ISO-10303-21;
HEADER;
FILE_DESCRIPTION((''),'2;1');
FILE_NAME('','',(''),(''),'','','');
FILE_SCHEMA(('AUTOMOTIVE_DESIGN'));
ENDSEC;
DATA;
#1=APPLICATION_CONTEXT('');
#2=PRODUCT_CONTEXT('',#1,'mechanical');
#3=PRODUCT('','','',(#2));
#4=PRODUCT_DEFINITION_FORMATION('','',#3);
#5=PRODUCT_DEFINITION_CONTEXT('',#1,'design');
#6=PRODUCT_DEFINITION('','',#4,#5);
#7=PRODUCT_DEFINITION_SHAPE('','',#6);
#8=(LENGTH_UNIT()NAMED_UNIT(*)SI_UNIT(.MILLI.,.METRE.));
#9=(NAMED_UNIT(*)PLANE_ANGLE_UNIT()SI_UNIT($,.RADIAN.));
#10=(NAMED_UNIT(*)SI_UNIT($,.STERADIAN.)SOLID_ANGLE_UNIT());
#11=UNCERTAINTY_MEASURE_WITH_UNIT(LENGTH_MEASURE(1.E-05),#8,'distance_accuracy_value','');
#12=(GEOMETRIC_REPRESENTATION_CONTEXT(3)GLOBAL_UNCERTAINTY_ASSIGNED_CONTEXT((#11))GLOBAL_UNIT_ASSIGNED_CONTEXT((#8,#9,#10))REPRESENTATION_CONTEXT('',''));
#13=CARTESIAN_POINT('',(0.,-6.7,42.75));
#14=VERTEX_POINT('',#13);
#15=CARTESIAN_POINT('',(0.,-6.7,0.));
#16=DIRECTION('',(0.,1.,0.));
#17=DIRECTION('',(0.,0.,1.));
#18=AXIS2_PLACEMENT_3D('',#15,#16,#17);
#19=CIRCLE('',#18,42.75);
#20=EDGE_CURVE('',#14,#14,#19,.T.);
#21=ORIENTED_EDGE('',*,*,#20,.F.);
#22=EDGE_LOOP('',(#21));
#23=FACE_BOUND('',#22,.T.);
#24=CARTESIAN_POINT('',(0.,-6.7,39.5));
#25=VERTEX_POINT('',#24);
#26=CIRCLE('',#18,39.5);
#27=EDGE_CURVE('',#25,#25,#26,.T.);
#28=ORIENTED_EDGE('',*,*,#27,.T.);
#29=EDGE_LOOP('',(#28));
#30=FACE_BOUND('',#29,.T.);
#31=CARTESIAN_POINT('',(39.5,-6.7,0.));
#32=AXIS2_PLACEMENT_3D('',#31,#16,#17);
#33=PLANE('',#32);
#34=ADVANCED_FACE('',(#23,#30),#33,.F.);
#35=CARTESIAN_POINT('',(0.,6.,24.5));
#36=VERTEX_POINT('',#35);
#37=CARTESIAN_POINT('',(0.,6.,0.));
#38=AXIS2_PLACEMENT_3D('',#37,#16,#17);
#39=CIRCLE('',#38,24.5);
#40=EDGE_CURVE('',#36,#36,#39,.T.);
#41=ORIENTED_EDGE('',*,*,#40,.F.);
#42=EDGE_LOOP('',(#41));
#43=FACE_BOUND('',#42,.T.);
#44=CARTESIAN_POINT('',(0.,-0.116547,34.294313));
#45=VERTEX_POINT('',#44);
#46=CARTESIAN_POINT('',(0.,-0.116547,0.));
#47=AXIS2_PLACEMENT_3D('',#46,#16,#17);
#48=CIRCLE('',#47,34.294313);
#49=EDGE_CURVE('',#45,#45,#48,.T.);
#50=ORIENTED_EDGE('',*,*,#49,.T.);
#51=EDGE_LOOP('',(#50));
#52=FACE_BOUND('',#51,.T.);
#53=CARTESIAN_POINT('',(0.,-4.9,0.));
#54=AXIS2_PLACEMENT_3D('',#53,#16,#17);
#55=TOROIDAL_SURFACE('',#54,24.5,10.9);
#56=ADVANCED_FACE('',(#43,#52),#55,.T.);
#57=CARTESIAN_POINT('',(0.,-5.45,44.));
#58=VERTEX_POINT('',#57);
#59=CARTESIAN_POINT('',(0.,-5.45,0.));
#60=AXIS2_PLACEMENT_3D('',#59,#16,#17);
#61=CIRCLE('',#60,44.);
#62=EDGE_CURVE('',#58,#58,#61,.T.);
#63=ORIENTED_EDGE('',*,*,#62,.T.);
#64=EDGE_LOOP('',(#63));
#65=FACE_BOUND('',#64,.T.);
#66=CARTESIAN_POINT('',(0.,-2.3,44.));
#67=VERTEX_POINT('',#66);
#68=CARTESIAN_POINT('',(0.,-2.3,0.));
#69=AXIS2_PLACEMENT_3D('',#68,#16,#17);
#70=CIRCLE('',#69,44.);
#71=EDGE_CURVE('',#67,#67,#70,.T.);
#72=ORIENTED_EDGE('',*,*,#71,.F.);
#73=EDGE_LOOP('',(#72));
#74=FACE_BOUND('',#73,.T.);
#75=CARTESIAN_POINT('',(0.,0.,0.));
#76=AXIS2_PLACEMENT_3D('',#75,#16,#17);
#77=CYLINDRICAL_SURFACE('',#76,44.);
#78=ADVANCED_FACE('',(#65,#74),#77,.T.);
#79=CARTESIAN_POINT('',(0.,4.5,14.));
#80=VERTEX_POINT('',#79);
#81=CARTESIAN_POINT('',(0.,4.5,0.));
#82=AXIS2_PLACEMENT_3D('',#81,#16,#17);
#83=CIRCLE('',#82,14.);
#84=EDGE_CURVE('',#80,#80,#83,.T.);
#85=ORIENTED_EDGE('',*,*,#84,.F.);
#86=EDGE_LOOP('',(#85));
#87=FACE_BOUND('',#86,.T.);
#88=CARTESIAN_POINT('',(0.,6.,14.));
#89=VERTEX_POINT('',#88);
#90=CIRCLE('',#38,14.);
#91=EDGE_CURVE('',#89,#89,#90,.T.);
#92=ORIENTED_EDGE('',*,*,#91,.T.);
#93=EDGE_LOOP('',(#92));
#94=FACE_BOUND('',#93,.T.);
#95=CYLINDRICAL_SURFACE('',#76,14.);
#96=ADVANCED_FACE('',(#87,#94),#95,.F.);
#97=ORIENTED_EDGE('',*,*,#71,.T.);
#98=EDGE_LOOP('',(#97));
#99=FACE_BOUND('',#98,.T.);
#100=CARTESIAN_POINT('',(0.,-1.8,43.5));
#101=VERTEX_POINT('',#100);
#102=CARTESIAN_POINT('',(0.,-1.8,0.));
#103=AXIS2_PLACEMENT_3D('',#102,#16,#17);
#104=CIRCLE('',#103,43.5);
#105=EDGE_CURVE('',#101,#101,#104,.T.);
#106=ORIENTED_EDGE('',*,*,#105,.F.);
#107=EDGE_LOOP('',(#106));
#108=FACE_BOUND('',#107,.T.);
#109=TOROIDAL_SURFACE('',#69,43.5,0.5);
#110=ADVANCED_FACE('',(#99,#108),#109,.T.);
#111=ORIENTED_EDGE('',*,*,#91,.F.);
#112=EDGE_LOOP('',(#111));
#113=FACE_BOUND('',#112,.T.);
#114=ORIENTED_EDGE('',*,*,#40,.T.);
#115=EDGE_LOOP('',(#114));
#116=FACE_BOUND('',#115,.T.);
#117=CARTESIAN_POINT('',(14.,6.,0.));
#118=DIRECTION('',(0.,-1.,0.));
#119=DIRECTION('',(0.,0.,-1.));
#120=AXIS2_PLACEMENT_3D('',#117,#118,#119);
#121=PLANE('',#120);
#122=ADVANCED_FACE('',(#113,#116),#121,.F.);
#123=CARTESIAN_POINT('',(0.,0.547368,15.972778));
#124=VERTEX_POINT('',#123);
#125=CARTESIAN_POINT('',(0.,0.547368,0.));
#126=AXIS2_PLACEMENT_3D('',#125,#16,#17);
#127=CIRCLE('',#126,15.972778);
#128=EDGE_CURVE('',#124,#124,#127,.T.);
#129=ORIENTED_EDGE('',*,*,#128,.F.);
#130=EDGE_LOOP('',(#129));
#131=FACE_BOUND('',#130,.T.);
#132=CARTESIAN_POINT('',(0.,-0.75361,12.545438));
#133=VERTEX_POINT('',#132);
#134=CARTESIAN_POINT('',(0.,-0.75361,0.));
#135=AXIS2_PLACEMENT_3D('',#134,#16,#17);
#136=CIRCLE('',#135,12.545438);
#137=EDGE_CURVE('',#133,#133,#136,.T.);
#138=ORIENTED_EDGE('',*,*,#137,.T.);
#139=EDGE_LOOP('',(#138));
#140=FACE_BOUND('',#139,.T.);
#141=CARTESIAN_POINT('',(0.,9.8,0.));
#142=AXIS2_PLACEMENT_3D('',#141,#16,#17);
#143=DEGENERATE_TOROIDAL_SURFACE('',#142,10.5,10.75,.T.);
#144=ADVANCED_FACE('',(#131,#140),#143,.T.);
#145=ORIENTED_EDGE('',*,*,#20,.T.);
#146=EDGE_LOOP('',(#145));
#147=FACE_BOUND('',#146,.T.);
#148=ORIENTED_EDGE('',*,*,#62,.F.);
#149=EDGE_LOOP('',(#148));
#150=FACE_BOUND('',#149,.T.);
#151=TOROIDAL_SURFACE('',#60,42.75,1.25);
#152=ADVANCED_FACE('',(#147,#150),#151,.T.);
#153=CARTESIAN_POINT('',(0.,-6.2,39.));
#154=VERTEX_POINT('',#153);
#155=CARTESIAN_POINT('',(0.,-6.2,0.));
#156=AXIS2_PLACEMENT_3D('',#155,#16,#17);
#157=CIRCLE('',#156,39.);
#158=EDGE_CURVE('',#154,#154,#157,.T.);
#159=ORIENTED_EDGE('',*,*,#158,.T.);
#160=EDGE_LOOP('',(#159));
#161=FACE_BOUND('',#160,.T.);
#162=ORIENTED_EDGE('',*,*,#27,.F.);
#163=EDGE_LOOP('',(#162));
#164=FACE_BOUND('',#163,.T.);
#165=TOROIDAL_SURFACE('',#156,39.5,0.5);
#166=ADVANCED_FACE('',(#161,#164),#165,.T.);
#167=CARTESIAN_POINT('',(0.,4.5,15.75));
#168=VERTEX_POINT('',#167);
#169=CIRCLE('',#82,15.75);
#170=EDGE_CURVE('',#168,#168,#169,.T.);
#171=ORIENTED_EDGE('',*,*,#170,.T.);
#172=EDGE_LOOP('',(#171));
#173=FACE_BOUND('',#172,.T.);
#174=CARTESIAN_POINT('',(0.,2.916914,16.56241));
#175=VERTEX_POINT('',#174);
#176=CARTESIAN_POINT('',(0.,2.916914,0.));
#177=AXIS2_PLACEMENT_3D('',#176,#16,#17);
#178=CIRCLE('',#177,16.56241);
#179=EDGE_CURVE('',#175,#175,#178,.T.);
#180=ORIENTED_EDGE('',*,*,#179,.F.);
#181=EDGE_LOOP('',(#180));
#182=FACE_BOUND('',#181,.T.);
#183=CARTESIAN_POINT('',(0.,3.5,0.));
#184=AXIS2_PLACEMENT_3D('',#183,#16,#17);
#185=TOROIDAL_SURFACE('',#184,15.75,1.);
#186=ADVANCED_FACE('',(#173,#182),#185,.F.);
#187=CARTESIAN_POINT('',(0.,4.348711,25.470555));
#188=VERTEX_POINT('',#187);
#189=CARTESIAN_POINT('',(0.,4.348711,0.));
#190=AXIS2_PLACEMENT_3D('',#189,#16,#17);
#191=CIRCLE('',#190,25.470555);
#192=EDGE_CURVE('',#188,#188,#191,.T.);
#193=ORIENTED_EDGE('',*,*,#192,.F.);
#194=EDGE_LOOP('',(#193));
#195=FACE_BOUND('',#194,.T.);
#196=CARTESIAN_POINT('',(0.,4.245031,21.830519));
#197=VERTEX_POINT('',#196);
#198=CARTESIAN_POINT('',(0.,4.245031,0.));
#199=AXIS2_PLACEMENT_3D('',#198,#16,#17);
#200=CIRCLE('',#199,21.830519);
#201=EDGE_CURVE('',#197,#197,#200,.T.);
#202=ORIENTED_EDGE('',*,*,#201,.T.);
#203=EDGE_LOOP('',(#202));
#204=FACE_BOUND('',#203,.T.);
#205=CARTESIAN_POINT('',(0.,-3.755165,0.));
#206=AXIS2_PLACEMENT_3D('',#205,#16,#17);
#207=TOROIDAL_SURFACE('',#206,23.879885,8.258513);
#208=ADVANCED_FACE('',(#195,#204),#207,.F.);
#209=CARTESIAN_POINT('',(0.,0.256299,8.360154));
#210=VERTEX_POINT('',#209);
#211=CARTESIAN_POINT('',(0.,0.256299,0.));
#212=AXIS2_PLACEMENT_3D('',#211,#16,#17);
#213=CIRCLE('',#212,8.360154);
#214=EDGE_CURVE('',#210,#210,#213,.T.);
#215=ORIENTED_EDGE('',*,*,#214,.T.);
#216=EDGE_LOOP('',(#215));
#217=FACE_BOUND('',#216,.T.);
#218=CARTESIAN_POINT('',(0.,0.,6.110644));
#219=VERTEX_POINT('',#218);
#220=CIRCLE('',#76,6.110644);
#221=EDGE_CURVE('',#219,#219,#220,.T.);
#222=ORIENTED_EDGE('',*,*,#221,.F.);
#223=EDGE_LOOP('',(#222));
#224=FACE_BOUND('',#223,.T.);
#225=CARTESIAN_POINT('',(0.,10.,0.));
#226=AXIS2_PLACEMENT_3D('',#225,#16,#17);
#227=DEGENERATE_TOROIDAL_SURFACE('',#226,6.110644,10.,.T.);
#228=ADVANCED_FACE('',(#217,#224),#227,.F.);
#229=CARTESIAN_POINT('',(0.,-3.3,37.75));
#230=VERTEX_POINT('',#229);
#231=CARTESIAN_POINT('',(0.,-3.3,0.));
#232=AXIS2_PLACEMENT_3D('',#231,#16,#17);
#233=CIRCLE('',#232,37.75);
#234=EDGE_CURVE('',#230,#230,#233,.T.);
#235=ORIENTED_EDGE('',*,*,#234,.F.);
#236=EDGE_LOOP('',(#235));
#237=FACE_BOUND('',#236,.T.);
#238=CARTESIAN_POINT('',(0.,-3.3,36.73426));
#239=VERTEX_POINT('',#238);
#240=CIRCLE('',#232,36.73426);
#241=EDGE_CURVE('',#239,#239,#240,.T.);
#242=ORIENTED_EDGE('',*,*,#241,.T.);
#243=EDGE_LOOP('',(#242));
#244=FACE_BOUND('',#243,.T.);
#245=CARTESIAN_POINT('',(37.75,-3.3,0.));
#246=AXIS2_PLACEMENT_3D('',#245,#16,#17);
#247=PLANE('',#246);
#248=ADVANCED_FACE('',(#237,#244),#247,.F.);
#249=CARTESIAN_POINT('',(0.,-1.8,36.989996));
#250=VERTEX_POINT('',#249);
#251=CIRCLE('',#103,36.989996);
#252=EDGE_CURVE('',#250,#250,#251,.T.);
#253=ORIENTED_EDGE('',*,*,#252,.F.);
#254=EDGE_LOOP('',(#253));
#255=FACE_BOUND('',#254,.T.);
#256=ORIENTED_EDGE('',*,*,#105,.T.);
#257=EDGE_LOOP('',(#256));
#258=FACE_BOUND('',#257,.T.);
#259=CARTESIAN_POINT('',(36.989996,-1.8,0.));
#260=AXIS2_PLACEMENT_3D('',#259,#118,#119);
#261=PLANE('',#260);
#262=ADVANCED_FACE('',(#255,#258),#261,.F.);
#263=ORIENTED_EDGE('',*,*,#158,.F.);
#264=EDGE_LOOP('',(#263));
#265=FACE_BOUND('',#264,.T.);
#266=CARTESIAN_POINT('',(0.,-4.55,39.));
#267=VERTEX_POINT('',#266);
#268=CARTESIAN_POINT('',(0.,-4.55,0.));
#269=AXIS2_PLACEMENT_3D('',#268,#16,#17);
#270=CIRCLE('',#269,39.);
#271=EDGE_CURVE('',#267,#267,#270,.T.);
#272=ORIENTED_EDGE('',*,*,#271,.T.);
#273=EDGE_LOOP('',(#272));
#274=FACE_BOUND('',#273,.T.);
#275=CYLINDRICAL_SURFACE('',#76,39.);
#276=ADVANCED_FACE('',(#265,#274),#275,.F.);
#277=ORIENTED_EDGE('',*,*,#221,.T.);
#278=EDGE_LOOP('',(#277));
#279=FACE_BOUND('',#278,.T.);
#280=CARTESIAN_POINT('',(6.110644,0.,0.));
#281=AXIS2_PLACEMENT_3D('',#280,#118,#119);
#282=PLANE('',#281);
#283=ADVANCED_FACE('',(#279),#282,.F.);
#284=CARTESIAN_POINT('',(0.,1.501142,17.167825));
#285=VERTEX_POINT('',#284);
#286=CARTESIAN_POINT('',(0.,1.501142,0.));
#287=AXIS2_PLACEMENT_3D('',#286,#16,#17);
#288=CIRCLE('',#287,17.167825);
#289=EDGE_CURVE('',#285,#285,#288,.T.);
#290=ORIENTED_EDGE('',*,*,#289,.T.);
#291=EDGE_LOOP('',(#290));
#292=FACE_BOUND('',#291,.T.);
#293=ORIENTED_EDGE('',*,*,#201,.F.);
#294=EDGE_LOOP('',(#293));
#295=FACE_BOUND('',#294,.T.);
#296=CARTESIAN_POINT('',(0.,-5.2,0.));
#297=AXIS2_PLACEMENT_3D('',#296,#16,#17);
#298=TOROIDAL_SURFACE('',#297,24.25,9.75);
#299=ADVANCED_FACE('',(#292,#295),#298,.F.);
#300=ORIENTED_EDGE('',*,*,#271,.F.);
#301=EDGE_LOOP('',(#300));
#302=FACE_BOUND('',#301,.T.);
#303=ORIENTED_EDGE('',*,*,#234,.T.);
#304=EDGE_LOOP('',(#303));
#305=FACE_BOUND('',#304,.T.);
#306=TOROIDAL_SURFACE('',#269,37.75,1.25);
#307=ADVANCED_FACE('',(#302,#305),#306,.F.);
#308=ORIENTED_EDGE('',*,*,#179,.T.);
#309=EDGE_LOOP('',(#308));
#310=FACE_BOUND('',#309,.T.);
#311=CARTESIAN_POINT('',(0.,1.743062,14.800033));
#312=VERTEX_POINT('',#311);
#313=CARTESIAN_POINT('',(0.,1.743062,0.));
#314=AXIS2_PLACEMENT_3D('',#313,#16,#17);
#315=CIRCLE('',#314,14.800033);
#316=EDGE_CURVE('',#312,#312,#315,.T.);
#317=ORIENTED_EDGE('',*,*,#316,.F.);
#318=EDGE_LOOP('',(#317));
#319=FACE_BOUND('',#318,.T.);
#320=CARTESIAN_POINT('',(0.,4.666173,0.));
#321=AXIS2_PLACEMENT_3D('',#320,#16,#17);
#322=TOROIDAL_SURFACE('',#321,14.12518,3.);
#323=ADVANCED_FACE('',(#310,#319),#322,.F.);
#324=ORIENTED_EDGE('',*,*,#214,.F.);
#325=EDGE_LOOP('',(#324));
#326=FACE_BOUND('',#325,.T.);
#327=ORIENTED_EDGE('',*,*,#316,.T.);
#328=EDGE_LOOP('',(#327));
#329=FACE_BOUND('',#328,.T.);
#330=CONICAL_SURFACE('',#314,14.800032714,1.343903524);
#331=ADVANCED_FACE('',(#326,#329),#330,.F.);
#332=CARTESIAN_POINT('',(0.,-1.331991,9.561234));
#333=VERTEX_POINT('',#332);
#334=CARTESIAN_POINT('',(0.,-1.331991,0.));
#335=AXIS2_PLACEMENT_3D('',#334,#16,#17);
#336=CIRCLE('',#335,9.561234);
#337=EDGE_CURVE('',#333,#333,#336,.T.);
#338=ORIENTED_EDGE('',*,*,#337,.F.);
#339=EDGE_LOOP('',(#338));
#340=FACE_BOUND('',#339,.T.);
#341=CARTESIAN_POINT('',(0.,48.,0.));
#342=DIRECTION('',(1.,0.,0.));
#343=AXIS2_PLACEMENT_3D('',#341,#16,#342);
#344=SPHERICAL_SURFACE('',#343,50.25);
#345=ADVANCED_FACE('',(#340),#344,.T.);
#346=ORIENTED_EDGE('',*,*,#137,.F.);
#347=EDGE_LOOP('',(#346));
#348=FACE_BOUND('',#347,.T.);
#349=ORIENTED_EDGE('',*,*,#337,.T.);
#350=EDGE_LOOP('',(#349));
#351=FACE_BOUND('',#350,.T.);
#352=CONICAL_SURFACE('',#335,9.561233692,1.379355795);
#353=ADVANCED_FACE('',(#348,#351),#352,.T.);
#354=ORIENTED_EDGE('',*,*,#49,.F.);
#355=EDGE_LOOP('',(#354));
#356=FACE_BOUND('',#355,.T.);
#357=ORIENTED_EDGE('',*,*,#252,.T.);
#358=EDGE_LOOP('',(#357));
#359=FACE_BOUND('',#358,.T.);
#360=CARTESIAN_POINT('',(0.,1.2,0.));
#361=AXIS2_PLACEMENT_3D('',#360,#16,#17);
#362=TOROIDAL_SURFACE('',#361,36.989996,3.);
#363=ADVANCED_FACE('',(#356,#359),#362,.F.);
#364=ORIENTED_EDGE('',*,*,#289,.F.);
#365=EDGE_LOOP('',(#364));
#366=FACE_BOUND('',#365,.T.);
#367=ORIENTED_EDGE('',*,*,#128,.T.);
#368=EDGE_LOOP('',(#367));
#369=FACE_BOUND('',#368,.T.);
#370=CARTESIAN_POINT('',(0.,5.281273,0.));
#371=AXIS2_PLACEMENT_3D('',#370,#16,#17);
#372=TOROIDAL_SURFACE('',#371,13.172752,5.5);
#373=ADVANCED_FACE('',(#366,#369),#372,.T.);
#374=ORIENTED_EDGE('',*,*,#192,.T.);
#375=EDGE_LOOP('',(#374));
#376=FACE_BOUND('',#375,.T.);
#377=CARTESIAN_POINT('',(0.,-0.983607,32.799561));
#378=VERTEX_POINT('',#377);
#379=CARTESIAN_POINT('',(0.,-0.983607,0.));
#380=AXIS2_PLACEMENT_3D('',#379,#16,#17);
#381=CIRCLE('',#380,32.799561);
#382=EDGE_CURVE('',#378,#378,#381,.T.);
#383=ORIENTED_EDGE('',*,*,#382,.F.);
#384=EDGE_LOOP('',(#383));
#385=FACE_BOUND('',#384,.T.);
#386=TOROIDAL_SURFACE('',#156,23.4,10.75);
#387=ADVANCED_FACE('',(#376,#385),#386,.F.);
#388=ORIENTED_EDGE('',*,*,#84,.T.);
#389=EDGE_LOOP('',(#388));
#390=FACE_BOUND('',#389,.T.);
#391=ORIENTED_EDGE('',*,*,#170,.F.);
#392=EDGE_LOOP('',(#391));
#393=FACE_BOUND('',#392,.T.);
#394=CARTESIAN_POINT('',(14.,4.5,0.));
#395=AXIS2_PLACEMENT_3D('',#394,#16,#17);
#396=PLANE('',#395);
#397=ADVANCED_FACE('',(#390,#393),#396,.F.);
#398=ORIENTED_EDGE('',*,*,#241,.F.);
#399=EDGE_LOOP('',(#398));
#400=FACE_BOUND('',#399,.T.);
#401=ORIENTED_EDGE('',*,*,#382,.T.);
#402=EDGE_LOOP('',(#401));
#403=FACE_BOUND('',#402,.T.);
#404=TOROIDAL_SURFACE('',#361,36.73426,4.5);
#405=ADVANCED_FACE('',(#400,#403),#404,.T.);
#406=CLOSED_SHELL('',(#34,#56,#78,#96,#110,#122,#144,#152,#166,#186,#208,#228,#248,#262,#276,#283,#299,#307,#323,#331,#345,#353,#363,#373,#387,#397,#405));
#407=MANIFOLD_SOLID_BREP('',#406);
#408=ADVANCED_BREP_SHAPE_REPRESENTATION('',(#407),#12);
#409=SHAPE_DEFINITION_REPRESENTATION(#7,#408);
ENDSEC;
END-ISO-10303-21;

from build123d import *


with BuildPart() as part:
    # Sketch2 → Revolve1 (revolve)
    with BuildSketch(Plane.XY, mode=Mode.PRIVATE) as revolve1_sk:
        with BuildLine():
            Line((14, 6), (24.5, 6))
            ThreePointArc((24.5, 6), (30.273662603, 4.345259334), (34.294313408, -0.116546763))
            ThreePointArc((34.294313408, -0.116546763), (35.400914546, -1.344566789), (36.989995997, -1.8))
            Line((36.989995997, -1.8), (43.5, -1.8))
            ThreePointArc((43.5, -1.8), (43.853553391, -1.946446609), (44, -2.3))
            Line((44, -2.3), (44, -5.45))
            ThreePointArc((44, -5.45), (43.633883476, -6.333883476), (42.75, -6.7))
            Line((42.75, -6.7), (39.5, -6.7))
            ThreePointArc((39.5, -6.7), (39.146446609, -6.553553391), (39, -6.2))
            Line((39, -6.2), (39, -4.55))
            ThreePointArc((39, -4.55), (38.633883476, -3.666116524), (37.75, -3.3))
            Line((37.75, -3.3), (36.734260384, -3.3))
            ThreePointArc((36.734260384, -3.3), (34.451305009, -2.677900818), (32.799560599, -0.983606557))
            ThreePointArc((32.799560599, -0.983606557), (29.724499147, 2.492710195), (25.470554826, 4.34871095))
            ThreePointArc((25.470554826, 4.34871095), (23.644751392, 4.5), (21.830519473, 4.245031179))
            ThreePointArc((21.830519473, 4.245031179), (19.305043293, 3.202969901), (17.167825042, 1.501141534))
            ThreePointArc((17.167825042, 1.501141534), (16.603606619, 0.982524408), (15.972777881, 0.54736782))
            ThreePointArc((15.972777881, 0.54736782), (14.314974247, -0.250297085), (12.545438053, -0.753609959))
            Line((12.545438053, -0.753609959), (9.561233692, -1.331990739))
            ThreePointArc((9.561233692, -1.331990739), (4.802601657, -2.019971185), (0, -2.25))
            Line((0, -2.25), (0, 0))
            Line((0, 0), (6.110643917, 0))
            ThreePointArc((6.110643917, 0), (7.242676055, 0.064281443), (8.36015446, 0.256299352))
            Line((8.36015446, 0.256299352), (14.800032714, 1.743062396))
            ThreePointArc((14.800032714, 1.743062396), (15.788233421, 2.169324212), (16.562410224, 2.916913705))
            ThreePointArc((16.562410224, 2.916913705), (16.639687107, 3.956570753), (15.75, 4.5))
            Line((15.75, 4.5), (14, 4.5))
            Line((14, 4.5), (14, 6))
        make_face()
    revolve(revolve1_sk.sketch.rotate(Axis((0, 0, 0), (0, -1, 0)), 90), axis=Axis((0, 0, 0), (0, -1, 0)))


solid = part.part
